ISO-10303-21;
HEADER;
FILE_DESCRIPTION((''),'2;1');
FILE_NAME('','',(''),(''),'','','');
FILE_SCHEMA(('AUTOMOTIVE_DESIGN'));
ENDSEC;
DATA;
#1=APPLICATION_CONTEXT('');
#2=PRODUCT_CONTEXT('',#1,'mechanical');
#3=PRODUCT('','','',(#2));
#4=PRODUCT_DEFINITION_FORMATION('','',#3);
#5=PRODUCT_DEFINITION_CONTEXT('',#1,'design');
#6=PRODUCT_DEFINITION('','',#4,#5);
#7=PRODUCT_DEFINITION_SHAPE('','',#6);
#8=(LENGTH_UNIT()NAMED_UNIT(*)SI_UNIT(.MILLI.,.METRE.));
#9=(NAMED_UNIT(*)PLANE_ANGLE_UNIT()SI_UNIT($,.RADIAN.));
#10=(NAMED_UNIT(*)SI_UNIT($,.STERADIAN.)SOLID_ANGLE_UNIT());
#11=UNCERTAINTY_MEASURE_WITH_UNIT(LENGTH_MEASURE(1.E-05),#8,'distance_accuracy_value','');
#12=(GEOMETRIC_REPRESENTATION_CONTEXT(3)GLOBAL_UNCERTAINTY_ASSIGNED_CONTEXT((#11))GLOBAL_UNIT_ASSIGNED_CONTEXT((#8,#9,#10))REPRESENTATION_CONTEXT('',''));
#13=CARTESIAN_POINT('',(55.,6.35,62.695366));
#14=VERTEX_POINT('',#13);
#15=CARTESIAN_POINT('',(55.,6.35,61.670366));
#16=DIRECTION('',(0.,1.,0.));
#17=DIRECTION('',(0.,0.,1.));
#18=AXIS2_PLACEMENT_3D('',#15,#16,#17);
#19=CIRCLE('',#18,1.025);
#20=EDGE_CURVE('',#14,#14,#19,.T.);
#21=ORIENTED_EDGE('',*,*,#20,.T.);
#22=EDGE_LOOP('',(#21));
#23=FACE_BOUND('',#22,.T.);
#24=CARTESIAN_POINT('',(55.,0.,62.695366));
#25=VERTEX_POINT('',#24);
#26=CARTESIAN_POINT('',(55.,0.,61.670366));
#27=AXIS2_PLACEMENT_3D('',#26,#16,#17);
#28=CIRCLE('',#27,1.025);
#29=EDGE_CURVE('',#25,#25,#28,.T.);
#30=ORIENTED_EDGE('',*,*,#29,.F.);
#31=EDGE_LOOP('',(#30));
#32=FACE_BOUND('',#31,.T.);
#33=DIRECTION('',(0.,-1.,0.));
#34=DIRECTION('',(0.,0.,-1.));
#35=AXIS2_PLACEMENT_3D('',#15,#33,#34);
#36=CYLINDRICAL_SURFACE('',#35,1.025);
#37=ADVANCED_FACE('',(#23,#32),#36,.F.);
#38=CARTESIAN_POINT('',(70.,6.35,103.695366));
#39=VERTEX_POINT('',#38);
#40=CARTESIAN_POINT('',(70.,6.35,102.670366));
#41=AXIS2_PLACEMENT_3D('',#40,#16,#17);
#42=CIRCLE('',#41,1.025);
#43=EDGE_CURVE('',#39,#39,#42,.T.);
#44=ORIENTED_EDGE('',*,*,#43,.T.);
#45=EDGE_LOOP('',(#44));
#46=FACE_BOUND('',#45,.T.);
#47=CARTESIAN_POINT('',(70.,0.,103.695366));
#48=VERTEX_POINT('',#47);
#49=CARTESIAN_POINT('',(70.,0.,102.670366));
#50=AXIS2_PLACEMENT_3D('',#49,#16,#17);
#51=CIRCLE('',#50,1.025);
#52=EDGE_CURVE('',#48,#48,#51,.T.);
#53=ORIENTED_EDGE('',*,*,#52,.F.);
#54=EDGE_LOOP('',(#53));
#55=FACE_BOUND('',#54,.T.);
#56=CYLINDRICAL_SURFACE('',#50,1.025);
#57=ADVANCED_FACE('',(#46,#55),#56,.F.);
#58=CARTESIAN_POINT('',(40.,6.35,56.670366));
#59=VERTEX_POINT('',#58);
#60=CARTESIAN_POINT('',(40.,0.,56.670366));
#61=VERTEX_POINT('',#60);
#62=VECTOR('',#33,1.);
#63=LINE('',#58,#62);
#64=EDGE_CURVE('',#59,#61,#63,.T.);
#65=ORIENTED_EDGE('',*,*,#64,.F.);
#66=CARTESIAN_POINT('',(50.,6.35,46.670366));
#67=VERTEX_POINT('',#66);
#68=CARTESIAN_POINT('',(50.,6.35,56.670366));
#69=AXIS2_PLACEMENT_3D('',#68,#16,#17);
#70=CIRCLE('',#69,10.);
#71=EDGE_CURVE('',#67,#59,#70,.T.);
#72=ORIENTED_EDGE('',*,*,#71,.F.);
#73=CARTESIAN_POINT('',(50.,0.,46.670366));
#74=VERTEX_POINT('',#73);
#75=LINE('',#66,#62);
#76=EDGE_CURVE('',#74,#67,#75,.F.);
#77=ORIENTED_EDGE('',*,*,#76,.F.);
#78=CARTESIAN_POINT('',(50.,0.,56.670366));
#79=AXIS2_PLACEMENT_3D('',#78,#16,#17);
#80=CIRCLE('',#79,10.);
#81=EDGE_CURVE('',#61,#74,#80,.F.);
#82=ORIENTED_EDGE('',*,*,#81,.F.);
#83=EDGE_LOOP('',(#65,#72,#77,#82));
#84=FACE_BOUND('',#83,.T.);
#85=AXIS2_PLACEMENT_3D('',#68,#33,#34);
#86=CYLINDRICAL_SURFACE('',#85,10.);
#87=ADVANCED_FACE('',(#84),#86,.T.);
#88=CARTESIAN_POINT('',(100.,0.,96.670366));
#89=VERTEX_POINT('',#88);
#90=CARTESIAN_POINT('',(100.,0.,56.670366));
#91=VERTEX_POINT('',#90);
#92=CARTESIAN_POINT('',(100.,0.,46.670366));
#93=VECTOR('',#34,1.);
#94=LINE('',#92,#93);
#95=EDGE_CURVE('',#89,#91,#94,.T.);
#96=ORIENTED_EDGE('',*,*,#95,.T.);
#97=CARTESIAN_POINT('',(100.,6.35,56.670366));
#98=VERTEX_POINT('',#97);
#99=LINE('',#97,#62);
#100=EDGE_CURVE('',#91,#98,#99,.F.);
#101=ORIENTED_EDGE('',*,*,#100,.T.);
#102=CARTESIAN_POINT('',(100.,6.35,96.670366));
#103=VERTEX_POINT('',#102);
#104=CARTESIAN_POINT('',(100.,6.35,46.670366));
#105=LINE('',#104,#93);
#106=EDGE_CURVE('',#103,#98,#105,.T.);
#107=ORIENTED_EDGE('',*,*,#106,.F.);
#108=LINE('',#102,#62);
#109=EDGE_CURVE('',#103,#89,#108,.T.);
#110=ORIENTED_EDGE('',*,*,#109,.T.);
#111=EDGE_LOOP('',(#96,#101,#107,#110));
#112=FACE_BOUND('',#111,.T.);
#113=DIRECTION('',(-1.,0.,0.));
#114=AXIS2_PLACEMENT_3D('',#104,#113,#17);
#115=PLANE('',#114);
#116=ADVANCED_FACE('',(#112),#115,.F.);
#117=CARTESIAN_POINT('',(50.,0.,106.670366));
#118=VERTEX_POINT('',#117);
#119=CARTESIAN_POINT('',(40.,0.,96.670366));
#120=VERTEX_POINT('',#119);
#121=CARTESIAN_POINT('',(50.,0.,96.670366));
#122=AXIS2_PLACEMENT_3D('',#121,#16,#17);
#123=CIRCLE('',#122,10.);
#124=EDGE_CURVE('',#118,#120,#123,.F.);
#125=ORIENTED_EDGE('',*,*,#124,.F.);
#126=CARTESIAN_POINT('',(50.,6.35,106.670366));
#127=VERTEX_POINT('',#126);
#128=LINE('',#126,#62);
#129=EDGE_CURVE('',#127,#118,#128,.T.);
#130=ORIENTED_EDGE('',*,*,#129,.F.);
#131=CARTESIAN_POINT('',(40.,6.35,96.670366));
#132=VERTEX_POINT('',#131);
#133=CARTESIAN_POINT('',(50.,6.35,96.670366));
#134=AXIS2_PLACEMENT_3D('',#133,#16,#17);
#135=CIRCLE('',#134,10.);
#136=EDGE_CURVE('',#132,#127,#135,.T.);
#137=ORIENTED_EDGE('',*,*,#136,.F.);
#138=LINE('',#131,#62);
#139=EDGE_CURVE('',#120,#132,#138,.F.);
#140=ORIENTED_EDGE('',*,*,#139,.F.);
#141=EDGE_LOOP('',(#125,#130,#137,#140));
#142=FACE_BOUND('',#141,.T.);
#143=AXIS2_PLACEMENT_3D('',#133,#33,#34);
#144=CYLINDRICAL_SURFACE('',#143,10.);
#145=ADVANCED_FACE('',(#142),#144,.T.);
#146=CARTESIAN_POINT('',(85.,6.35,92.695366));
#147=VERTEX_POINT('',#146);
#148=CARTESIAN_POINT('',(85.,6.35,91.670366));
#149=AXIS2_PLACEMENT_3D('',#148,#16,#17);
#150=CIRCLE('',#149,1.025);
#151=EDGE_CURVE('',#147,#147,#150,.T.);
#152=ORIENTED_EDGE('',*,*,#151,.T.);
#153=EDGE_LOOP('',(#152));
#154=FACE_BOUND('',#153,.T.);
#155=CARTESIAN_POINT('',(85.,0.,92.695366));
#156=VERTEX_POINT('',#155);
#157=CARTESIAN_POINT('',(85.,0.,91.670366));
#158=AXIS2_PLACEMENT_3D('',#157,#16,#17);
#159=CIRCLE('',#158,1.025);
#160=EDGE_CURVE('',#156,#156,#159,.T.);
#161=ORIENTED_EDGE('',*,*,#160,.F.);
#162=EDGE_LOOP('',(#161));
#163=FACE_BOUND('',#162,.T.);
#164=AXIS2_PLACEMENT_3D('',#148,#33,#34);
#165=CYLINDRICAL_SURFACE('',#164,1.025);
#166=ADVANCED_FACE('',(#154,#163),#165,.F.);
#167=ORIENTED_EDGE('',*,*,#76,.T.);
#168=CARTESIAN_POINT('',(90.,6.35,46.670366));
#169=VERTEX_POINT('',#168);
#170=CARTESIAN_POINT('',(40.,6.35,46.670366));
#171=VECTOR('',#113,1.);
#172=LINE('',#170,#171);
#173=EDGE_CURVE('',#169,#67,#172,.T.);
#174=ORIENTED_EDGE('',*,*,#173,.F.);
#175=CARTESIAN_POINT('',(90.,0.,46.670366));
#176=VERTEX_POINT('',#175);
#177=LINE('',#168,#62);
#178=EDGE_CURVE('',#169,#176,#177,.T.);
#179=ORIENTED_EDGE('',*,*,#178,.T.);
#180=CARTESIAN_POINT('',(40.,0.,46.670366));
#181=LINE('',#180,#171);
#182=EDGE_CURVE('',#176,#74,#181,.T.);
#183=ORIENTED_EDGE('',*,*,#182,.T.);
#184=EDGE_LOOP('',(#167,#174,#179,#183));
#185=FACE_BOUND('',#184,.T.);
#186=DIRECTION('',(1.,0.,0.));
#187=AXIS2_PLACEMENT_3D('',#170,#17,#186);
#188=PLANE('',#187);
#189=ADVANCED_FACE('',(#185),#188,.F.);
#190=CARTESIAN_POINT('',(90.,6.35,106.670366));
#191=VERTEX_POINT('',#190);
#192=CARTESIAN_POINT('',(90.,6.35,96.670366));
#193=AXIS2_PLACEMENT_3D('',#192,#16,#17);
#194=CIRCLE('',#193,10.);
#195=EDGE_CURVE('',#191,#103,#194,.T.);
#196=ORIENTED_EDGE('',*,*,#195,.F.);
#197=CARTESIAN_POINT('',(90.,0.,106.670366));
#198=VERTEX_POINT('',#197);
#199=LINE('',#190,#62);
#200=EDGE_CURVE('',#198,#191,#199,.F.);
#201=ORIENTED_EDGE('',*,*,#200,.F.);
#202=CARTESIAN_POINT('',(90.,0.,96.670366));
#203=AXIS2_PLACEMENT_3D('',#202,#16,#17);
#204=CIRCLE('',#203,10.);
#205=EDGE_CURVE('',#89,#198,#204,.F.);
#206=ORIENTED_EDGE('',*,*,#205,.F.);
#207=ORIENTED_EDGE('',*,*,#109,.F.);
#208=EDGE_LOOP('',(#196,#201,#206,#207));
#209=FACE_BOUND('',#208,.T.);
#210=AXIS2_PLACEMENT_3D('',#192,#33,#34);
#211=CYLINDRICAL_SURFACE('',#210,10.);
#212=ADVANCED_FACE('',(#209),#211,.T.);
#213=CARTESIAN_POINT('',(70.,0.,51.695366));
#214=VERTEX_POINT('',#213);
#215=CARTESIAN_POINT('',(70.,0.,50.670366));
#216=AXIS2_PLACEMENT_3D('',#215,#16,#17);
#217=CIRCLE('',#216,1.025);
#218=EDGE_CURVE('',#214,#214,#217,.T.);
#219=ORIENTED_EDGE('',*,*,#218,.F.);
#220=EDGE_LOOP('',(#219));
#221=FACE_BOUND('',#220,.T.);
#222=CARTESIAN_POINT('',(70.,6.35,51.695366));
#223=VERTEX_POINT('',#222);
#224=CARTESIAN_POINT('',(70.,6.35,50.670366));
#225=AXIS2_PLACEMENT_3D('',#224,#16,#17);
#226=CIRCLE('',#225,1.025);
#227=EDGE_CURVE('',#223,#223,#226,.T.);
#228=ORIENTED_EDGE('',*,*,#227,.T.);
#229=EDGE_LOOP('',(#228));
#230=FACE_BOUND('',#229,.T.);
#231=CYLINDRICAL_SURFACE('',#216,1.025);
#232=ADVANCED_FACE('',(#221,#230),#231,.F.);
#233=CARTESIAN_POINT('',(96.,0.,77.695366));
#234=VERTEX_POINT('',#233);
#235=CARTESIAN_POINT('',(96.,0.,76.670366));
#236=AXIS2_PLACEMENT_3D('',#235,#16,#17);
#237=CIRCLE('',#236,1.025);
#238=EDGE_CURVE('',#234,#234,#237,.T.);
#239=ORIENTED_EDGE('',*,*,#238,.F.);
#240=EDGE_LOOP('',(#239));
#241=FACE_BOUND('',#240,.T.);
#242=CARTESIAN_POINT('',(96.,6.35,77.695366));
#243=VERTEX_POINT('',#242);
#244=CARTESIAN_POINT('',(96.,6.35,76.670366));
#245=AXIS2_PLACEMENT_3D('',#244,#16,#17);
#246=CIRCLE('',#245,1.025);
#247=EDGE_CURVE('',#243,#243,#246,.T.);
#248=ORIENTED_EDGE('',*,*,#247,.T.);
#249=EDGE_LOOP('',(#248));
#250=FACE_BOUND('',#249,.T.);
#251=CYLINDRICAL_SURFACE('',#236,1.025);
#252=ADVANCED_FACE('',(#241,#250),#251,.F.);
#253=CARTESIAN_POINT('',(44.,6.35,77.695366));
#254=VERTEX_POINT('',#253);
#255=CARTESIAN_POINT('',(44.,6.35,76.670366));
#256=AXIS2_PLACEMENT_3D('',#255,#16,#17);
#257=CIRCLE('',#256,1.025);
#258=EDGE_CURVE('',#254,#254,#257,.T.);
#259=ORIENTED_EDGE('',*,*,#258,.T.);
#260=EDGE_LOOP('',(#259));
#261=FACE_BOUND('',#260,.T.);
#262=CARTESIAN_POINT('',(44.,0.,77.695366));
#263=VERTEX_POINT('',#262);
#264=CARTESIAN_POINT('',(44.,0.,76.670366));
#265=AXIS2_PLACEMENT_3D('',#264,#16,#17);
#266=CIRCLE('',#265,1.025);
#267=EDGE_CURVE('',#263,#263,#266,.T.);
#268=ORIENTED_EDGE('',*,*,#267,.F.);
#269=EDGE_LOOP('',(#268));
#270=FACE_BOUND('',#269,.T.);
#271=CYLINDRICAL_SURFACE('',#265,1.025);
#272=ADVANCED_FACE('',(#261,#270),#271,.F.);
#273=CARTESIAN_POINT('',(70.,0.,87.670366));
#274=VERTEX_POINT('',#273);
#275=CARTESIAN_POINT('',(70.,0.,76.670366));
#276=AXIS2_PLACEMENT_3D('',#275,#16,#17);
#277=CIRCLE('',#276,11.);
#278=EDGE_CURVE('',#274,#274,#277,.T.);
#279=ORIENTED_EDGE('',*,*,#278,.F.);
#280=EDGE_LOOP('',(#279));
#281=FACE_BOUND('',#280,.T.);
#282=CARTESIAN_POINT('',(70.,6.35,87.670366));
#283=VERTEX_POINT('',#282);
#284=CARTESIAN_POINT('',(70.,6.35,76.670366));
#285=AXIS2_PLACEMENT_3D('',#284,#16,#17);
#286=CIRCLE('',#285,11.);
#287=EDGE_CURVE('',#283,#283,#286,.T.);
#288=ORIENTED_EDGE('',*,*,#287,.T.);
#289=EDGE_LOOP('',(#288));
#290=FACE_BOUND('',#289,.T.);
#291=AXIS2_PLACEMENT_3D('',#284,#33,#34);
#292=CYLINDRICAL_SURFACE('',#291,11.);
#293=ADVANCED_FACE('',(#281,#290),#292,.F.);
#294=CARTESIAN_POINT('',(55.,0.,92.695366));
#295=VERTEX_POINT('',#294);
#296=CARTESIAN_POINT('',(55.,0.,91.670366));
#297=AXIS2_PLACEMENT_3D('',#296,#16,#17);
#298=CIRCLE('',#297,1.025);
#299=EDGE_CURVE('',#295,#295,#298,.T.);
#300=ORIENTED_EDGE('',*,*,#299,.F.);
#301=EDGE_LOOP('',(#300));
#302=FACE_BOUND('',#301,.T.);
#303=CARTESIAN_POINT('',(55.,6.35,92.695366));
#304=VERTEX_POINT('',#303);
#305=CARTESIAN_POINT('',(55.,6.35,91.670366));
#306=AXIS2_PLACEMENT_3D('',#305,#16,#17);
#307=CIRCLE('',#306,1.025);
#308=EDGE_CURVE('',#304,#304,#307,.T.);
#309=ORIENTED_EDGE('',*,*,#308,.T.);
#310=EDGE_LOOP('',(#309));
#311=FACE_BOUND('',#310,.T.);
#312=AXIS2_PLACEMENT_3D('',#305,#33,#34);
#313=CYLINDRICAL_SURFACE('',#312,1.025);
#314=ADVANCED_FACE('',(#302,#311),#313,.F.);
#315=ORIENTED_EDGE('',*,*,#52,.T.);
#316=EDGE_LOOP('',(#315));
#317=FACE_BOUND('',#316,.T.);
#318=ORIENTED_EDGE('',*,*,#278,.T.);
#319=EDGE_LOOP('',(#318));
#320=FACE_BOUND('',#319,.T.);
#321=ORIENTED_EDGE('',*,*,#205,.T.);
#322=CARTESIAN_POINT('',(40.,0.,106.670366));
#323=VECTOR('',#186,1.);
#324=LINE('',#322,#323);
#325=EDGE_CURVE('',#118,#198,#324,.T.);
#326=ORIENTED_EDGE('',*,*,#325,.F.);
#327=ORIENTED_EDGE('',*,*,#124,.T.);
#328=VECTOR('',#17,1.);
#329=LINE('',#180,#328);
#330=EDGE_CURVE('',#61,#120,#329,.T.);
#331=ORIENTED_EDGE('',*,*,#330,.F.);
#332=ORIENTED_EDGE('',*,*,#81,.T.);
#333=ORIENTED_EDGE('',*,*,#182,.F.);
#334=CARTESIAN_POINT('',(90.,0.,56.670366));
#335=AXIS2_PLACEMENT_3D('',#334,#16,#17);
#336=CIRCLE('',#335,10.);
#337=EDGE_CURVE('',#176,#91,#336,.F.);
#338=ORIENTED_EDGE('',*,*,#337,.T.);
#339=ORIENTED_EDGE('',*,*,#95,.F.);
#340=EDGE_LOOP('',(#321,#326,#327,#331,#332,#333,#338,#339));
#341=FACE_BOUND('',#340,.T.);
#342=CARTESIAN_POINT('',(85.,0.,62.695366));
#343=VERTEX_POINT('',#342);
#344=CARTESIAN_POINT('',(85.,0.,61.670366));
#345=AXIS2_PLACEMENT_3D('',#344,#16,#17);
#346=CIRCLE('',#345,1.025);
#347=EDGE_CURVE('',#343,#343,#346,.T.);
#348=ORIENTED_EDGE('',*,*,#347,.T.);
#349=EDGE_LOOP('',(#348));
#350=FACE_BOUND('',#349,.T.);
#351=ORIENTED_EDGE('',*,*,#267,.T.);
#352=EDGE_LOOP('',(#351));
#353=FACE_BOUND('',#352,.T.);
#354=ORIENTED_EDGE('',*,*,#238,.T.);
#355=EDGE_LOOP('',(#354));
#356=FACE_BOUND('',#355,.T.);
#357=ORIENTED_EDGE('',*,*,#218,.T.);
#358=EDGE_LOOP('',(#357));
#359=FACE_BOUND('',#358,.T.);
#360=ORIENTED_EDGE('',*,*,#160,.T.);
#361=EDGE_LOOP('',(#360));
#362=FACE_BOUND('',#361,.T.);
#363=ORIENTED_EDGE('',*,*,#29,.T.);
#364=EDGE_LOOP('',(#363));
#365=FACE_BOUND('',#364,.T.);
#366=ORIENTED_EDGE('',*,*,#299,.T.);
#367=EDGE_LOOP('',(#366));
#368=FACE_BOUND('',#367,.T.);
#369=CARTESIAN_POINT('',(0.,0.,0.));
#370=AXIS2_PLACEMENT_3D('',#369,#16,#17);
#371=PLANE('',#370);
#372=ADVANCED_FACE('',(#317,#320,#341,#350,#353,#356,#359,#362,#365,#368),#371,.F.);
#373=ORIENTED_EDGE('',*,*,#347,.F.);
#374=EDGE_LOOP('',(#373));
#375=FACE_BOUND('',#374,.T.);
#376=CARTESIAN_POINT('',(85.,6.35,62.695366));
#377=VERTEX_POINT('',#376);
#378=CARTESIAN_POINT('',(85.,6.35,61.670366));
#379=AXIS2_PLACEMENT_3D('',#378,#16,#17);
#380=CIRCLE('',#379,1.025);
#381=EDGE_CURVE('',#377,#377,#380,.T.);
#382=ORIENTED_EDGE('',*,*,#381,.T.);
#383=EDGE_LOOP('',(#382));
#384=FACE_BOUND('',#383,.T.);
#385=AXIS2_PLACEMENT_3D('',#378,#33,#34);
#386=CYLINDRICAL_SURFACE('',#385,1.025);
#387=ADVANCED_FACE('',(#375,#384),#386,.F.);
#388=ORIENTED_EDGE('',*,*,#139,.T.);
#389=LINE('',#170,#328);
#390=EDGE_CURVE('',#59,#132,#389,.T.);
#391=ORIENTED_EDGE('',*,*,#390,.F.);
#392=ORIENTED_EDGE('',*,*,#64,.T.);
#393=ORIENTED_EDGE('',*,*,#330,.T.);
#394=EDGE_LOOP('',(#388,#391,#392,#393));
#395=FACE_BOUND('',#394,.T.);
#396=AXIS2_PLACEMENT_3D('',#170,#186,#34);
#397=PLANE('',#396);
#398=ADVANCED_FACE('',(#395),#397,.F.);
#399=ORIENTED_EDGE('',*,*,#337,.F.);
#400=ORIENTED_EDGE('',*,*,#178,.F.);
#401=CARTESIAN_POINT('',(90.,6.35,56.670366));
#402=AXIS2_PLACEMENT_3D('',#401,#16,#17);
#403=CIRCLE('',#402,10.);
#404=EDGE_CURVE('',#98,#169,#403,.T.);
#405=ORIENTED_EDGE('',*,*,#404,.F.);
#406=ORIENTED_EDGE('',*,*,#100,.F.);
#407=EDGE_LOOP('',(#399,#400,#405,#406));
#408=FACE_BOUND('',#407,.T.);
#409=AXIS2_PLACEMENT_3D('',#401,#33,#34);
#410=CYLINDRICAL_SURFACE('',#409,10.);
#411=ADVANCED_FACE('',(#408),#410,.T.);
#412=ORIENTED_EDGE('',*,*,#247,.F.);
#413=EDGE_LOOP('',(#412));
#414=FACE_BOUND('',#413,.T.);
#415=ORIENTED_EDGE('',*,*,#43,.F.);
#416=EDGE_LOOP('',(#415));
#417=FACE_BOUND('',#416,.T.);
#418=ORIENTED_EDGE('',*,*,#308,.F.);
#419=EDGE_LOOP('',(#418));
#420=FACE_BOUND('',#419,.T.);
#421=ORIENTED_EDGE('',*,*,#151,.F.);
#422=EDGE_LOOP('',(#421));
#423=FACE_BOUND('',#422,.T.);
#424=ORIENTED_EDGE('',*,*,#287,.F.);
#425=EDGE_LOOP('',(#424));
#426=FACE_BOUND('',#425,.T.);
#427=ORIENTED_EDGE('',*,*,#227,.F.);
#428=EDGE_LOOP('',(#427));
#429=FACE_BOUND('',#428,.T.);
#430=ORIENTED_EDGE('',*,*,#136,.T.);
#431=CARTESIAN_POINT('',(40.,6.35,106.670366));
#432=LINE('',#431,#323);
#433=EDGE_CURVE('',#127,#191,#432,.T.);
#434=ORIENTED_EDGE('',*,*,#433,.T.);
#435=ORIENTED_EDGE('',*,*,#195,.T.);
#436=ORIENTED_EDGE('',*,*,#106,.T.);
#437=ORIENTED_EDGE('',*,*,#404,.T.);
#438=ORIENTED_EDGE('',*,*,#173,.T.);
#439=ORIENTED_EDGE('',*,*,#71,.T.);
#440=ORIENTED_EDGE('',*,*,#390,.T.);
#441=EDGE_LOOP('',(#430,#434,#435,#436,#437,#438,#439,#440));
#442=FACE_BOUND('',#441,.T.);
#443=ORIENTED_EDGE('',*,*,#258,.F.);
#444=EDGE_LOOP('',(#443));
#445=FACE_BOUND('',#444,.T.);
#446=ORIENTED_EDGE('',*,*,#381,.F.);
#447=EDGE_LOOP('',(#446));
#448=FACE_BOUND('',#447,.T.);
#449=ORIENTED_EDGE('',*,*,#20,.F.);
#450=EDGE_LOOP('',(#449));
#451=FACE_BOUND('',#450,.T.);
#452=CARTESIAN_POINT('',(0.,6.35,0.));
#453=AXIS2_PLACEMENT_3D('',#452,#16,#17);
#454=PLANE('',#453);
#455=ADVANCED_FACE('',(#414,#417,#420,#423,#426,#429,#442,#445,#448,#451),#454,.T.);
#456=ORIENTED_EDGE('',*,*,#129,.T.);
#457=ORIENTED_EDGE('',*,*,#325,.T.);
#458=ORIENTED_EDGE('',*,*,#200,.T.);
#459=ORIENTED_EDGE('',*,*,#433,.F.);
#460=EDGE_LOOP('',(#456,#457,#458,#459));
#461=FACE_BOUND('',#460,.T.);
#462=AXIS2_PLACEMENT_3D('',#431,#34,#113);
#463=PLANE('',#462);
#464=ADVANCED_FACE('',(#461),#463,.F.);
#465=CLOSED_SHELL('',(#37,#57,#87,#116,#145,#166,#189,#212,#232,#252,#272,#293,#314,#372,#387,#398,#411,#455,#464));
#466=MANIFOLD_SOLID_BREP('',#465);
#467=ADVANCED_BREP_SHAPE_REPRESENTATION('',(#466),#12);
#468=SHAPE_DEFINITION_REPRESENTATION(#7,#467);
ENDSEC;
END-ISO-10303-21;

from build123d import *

# Parameters (mm, degrees)
SKETCH3_W           = 60
SKETCH3_H           = 60
SKETCH3_R           = 11
SKETCH3_R_2         = 1.025
BOSS_EXTRUDE1_DEPTH = 6.35
FILLET1_R           = 10
SKETCH4_R           = 1.025
CUT_EXTRUDE1_DEPTH  = 147.351937254


with BuildPart() as part:
    # Sketch3 → Boss-Extrude1 (new body)
    with BuildSketch(Plane(origin=(0, 0, 0), x_dir=(1, 0, 0), z_dir=(0, 1, 0))):
        with Locations((70, -76.67036626)):
            Rectangle(SKETCH3_W, SKETCH3_H)
        with Locations(Location((70, -76.67036626, 0), (0, 0, 270))):
            Circle(SKETCH3_R, mode=Mode.SUBTRACT)
        with Locations(Location((55, -61.67036626, 0), (0, 0, 270))):
            Circle(SKETCH3_R_2, mode=Mode.SUBTRACT)
        with Locations(Location((85, -61.67036626, 0), (0, 0, 270))):
            Circle(SKETCH3_R_2, mode=Mode.SUBTRACT)
        with Locations(Location((85, -91.67036626, 0), (0, 0, 270))):
            Circle(SKETCH3_R_2, mode=Mode.SUBTRACT)
        with Locations(Location((55, -91.67036626, 0), (0, 0, 270))):
            Circle(SKETCH3_R_2, mode=Mode.SUBTRACT)
    extrude(amount=BOSS_EXTRUDE1_DEPTH)

    # Fillet1
    fillet1_edges = [part.edges().sort_by_distance(p)[0] for p in [
        (40, 3.175, 46.67036626),
        (100, 3.175, 46.67036626),
        (100, 3.175, 106.67036626),
        (40, 3.175, 106.67036626),
    ]]
    fillet(fillet1_edges, radius=FILLET1_R)

    # Sketch4 → Cut-Extrude1 (cut, through all)
    with BuildSketch(Plane(origin=(0, 6.35, 0), x_dir=(1, 0, 0), z_dir=(0, 1, 0))):
        with Locations(Location((44, -76.67036626, 0), (0, 0, 270))):
            Circle(SKETCH4_R)
        with Locations(Location((96, -76.67036626, 0), (0, 0, 270))):
            Circle(SKETCH4_R)
        with Locations(Location((70, -50.67036626, 0), (0, 0, 270))):
            Circle(SKETCH4_R)
        with Locations(Location((70, -102.67036626, 0), (0, 0, 270))):
            Circle(SKETCH4_R)
    extrude(amount=-CUT_EXTRUDE1_DEPTH, mode=Mode.SUBTRACT)


solid = part.part
